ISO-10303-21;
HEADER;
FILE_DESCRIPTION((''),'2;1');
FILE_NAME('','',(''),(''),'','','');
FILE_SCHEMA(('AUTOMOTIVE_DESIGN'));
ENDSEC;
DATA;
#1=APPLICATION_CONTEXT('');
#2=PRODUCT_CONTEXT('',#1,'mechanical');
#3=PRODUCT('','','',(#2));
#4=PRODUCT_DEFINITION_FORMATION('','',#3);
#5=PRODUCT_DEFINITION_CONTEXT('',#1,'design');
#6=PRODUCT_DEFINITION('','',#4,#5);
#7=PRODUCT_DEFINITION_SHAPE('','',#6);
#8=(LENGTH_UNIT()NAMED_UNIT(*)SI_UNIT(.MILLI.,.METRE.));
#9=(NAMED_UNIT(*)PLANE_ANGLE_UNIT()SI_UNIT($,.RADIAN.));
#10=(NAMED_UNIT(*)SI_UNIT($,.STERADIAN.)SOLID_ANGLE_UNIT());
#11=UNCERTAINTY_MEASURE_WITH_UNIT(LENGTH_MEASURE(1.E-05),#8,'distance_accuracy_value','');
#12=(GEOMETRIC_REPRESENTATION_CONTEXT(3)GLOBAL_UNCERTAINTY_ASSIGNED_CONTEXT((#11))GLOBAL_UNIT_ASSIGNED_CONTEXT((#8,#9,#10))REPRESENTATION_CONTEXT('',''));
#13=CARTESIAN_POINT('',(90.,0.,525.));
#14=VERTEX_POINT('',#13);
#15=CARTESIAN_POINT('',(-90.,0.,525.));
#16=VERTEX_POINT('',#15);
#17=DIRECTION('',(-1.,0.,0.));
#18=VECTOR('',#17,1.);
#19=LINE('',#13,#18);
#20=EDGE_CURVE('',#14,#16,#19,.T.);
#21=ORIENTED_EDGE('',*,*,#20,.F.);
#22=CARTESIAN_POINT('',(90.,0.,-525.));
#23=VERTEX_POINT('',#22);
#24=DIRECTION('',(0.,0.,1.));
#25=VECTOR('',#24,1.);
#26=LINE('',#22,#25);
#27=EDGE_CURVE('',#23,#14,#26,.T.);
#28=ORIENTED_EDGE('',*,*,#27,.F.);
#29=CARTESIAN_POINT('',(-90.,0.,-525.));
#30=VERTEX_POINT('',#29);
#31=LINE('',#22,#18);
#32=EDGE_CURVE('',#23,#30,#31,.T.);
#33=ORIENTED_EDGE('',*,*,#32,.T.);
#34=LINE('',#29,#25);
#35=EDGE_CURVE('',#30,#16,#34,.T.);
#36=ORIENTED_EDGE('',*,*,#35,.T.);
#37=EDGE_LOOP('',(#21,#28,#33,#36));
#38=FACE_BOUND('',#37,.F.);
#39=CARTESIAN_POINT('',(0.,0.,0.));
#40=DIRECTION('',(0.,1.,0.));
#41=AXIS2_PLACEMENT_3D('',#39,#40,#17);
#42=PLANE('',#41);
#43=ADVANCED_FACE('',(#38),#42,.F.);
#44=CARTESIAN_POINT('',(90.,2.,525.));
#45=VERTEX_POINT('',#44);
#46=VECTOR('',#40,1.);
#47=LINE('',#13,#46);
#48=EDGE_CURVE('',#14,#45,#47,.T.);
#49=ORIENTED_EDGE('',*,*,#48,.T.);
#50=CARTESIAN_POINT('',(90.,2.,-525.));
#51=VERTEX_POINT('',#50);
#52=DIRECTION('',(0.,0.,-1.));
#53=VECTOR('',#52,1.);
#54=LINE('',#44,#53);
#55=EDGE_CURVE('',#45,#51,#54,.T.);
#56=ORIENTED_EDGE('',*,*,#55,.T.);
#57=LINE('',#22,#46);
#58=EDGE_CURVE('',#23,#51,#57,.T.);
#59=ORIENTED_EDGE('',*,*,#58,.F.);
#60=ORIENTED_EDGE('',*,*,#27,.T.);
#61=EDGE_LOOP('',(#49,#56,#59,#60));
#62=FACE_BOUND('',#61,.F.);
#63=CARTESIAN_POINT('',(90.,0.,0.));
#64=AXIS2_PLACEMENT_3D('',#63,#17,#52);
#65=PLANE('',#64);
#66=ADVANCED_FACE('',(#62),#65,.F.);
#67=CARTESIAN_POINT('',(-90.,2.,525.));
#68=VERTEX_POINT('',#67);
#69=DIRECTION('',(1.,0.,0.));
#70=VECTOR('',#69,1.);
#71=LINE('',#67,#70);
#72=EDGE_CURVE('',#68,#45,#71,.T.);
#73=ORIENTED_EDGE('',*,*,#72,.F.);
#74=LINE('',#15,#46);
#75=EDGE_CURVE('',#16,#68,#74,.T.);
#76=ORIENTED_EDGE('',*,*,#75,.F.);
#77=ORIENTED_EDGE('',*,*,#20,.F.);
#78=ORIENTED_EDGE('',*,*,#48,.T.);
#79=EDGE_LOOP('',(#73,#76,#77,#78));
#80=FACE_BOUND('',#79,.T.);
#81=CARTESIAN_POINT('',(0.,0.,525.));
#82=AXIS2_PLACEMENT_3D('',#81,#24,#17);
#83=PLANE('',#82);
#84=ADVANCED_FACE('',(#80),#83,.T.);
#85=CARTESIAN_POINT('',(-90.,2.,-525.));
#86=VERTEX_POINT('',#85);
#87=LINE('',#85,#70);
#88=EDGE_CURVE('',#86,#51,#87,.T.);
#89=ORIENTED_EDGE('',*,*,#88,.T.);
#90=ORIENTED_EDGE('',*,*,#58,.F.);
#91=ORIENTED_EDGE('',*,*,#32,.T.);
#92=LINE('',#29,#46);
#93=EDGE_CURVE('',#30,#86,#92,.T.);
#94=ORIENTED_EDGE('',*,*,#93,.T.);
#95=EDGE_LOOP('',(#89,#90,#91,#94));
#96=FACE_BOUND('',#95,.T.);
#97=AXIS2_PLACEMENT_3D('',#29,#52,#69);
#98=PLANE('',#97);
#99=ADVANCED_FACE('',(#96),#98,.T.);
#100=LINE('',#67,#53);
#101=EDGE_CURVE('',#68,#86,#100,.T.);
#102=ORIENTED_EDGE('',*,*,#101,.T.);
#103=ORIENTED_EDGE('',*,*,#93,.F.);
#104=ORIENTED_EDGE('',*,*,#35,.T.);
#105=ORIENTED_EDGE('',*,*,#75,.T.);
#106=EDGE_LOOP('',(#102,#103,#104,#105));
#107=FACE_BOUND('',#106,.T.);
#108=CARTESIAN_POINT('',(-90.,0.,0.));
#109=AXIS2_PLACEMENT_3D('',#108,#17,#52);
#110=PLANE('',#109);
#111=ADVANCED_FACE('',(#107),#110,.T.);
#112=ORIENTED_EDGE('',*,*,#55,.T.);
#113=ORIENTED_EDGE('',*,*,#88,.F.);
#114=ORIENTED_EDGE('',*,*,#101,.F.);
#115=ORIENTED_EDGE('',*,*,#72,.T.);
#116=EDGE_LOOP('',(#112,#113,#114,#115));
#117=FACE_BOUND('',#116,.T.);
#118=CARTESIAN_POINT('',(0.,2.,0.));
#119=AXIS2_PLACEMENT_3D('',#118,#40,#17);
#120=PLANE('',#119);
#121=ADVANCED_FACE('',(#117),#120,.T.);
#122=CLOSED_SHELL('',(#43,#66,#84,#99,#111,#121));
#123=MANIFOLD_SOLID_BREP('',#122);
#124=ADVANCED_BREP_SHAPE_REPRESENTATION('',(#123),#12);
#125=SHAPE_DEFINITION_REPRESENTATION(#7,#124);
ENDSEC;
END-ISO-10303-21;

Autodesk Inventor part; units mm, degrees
ref_plane "YZ Plane" through (0, 0, 0) normal (1, 0, 0) x (0, 1, 0)
ref_plane "XZ Plane" through (0, 0, 0) normal (0, 1, 0) x (-1, 0, 0)
ref_plane "XY Plane" through (0, 0, 0) normal (0, 0, 1) x (1, 0, 0)
sketch "Sketch1" plane through (0, 0, 0) normal (0, 1, 0) x (-1, 0, 0)
  line L0 (90, -525) -> (-90, -525)
  line L1 (-90, 525) -> (90, 525)
  line L2 (-90, 525) -> (-90, -525)
  line L3 (90, 525) -> (90, -525)
  line L4 (-90, 0) -> (90, 0)
  line L5 (0, 525) -> (0, -525)
  point P0 (0, 0)
  dimension "d6" = 1050
  dimension "d7" = 180
extrude "Extrusion1" add sketch "Sketch1" along normal blind 2
properties part number "Do_Plain" material "LCP Plastic"
